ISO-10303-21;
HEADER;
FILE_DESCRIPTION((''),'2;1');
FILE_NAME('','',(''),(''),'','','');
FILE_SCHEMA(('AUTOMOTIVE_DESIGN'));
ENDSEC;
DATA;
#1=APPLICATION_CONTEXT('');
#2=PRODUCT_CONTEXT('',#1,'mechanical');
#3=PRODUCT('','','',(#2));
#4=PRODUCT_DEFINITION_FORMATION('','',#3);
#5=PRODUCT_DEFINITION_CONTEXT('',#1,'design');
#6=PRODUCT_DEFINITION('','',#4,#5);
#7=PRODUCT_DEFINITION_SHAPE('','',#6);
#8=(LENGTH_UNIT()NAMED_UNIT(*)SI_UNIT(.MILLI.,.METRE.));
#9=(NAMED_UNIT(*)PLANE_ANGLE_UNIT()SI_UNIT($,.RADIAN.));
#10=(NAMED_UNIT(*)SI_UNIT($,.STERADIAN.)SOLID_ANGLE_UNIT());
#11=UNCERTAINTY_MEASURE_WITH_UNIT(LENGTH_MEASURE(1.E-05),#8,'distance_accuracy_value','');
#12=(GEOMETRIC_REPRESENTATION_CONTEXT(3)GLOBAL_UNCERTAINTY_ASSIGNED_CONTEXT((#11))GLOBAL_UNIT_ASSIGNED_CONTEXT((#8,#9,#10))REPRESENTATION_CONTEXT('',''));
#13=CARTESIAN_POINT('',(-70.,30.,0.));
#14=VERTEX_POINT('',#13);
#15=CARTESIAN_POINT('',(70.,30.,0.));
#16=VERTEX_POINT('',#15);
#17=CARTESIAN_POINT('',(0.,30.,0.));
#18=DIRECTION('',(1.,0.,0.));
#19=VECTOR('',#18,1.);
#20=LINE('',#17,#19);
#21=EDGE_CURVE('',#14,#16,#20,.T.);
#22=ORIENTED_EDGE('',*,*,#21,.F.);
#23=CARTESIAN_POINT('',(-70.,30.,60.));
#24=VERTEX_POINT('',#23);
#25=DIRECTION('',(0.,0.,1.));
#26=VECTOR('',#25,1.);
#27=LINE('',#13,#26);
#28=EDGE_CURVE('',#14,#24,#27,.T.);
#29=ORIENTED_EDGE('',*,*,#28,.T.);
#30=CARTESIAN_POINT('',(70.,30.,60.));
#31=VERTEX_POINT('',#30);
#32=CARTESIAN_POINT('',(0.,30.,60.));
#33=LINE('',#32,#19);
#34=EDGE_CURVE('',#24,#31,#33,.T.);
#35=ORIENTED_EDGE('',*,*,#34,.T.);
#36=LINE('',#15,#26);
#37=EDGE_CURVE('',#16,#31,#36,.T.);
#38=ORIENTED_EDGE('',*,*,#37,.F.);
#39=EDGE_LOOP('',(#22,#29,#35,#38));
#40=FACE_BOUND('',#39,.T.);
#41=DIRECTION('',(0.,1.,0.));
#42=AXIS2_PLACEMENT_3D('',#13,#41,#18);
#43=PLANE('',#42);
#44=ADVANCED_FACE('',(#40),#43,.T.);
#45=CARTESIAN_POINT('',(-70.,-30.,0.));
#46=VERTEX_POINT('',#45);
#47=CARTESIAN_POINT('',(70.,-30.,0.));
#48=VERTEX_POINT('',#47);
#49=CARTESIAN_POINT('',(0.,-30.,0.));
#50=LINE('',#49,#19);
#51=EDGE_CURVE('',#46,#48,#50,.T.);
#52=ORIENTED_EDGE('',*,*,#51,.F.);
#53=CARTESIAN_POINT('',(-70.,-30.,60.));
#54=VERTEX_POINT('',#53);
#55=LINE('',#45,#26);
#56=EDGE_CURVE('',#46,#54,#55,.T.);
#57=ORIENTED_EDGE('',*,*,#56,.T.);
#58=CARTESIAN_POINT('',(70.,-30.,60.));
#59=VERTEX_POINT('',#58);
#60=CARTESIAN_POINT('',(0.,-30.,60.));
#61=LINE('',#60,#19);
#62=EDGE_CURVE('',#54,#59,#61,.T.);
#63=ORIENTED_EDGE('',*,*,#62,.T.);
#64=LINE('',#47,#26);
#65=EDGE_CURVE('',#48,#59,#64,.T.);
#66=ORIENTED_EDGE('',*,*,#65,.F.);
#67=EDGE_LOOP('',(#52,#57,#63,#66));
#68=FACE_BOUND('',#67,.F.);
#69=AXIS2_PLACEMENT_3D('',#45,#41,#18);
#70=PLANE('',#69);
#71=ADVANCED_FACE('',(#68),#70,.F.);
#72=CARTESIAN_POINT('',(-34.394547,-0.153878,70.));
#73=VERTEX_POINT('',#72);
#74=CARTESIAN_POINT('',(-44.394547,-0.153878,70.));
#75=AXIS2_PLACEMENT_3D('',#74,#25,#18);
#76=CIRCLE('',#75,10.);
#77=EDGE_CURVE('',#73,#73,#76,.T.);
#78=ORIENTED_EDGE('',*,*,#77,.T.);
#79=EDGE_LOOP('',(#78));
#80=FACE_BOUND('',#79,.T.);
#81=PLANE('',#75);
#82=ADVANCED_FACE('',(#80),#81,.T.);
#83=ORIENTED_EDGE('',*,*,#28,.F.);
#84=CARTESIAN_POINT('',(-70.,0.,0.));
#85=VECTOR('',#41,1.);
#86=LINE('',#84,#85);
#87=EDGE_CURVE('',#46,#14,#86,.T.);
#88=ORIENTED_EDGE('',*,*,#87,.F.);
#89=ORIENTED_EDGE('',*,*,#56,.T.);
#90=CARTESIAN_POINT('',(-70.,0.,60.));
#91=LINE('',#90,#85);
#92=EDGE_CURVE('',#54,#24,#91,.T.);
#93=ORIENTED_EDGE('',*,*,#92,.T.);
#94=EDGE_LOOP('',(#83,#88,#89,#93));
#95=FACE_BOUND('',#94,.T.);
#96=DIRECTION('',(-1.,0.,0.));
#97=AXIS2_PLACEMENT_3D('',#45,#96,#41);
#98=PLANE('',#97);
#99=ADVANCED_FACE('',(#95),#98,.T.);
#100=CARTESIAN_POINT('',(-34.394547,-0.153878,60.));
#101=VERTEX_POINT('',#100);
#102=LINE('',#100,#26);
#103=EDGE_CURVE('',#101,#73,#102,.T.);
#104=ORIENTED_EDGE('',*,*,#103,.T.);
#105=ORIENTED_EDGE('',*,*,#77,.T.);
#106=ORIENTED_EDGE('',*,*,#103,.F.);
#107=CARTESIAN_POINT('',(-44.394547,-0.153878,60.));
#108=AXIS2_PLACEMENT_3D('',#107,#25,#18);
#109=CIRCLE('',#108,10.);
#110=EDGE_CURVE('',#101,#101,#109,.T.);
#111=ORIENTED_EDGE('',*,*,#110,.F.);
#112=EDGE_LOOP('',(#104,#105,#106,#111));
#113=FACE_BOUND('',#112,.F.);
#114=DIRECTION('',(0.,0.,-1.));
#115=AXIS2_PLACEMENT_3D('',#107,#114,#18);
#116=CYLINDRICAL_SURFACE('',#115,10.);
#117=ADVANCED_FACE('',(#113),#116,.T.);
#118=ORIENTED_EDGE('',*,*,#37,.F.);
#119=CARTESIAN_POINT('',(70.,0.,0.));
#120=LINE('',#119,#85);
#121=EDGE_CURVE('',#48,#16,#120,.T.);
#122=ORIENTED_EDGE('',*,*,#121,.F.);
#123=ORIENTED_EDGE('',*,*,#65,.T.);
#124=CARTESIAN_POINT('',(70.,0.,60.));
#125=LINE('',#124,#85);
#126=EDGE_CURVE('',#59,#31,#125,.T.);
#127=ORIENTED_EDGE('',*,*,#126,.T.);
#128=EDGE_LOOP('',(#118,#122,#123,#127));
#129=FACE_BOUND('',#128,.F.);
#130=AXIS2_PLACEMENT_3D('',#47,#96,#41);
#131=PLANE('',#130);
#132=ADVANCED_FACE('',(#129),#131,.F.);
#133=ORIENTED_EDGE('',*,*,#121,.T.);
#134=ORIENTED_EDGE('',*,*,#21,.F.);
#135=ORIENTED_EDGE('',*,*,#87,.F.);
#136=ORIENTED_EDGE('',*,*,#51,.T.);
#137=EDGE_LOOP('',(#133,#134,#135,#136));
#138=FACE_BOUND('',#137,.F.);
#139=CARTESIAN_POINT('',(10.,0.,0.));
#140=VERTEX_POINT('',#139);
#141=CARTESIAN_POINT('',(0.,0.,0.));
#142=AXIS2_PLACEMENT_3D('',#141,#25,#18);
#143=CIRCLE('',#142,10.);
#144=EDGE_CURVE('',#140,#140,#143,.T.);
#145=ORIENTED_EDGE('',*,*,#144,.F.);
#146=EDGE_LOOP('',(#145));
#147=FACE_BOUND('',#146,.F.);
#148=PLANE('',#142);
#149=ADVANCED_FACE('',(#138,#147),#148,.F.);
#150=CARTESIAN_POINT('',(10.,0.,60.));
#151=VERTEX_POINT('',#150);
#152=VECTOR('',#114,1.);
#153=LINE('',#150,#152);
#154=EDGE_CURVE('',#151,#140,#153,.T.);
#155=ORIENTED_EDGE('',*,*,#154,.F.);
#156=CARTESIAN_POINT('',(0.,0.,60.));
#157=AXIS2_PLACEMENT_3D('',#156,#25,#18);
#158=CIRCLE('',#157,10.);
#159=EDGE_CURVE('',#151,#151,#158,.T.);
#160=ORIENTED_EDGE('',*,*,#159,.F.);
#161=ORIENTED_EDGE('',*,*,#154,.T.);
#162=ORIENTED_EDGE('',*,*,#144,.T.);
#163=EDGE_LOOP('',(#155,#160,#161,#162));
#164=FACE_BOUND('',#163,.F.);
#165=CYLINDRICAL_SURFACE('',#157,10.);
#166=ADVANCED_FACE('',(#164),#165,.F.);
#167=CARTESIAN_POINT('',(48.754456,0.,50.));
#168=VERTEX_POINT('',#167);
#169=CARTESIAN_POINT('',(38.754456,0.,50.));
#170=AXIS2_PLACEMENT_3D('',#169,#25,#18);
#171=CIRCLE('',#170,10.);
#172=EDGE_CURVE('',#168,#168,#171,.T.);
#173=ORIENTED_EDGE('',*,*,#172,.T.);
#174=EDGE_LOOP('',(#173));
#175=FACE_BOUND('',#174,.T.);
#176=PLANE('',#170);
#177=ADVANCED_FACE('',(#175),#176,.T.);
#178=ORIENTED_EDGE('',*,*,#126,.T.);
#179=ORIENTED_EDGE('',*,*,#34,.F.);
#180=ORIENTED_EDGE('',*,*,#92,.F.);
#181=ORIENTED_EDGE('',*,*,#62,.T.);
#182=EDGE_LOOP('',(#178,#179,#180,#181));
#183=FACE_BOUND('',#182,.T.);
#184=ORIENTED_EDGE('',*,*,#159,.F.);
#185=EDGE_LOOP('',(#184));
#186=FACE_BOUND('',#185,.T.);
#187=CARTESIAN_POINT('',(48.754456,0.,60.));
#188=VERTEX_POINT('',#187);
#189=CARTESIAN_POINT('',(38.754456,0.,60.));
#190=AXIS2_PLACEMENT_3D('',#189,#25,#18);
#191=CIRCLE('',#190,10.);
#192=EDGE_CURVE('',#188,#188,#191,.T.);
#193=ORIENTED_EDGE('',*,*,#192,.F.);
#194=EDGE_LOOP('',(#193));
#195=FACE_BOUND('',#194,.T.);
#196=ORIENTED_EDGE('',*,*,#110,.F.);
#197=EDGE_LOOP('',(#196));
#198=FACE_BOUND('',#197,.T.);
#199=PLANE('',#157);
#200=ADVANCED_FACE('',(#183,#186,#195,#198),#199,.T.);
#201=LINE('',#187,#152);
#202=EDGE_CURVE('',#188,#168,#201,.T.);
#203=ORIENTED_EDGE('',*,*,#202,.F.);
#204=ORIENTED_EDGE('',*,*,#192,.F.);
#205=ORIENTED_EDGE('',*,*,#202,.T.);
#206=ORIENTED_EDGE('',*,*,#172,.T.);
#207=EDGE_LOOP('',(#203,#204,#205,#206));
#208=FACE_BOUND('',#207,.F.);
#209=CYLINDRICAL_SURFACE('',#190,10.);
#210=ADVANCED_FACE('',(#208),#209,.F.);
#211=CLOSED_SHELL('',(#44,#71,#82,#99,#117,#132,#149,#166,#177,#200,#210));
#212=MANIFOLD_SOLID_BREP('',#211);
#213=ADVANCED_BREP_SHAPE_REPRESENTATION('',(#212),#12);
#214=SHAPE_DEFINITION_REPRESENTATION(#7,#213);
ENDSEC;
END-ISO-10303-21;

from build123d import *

# Parameters (mm, degrees)
F0_W     = 140
F0_H     = 60
F1_DEPTH = 60
F3_R     = 10
F6_DEPTH = 10
F4_R     = 10
F7_DEPTH = 10
F5_R     = 10
F8_DEPTH = 100.9


with BuildPart() as f1:
    # F0 (on Top) → F1 (new body)
    with BuildSketch(Plane.XY):
        Rectangle(F0_W, F0_H)
    extrude(amount=F1_DEPTH)

    # F3 (on face) → F6 (join)
    with BuildSketch(Plane.XY.offset(60)):
        with Locations((-44.394547, -0.153878)):
            Circle(F3_R)
    extrude(amount=F6_DEPTH)

    # F4 (on face) → F7 (cut)
    with BuildSketch(Plane.XY.offset(60)):
        with Locations((38.754456, 0)):
            Circle(F4_R)
    extrude(amount=-F7_DEPTH, mode=Mode.SUBTRACT)

    # F5 (on face) → F8 (cut)
    with BuildSketch(Plane.XY.offset(60)):
        Circle(F5_R)
    extrude(amount=-F8_DEPTH, mode=Mode.SUBTRACT)


solid = f1.part
